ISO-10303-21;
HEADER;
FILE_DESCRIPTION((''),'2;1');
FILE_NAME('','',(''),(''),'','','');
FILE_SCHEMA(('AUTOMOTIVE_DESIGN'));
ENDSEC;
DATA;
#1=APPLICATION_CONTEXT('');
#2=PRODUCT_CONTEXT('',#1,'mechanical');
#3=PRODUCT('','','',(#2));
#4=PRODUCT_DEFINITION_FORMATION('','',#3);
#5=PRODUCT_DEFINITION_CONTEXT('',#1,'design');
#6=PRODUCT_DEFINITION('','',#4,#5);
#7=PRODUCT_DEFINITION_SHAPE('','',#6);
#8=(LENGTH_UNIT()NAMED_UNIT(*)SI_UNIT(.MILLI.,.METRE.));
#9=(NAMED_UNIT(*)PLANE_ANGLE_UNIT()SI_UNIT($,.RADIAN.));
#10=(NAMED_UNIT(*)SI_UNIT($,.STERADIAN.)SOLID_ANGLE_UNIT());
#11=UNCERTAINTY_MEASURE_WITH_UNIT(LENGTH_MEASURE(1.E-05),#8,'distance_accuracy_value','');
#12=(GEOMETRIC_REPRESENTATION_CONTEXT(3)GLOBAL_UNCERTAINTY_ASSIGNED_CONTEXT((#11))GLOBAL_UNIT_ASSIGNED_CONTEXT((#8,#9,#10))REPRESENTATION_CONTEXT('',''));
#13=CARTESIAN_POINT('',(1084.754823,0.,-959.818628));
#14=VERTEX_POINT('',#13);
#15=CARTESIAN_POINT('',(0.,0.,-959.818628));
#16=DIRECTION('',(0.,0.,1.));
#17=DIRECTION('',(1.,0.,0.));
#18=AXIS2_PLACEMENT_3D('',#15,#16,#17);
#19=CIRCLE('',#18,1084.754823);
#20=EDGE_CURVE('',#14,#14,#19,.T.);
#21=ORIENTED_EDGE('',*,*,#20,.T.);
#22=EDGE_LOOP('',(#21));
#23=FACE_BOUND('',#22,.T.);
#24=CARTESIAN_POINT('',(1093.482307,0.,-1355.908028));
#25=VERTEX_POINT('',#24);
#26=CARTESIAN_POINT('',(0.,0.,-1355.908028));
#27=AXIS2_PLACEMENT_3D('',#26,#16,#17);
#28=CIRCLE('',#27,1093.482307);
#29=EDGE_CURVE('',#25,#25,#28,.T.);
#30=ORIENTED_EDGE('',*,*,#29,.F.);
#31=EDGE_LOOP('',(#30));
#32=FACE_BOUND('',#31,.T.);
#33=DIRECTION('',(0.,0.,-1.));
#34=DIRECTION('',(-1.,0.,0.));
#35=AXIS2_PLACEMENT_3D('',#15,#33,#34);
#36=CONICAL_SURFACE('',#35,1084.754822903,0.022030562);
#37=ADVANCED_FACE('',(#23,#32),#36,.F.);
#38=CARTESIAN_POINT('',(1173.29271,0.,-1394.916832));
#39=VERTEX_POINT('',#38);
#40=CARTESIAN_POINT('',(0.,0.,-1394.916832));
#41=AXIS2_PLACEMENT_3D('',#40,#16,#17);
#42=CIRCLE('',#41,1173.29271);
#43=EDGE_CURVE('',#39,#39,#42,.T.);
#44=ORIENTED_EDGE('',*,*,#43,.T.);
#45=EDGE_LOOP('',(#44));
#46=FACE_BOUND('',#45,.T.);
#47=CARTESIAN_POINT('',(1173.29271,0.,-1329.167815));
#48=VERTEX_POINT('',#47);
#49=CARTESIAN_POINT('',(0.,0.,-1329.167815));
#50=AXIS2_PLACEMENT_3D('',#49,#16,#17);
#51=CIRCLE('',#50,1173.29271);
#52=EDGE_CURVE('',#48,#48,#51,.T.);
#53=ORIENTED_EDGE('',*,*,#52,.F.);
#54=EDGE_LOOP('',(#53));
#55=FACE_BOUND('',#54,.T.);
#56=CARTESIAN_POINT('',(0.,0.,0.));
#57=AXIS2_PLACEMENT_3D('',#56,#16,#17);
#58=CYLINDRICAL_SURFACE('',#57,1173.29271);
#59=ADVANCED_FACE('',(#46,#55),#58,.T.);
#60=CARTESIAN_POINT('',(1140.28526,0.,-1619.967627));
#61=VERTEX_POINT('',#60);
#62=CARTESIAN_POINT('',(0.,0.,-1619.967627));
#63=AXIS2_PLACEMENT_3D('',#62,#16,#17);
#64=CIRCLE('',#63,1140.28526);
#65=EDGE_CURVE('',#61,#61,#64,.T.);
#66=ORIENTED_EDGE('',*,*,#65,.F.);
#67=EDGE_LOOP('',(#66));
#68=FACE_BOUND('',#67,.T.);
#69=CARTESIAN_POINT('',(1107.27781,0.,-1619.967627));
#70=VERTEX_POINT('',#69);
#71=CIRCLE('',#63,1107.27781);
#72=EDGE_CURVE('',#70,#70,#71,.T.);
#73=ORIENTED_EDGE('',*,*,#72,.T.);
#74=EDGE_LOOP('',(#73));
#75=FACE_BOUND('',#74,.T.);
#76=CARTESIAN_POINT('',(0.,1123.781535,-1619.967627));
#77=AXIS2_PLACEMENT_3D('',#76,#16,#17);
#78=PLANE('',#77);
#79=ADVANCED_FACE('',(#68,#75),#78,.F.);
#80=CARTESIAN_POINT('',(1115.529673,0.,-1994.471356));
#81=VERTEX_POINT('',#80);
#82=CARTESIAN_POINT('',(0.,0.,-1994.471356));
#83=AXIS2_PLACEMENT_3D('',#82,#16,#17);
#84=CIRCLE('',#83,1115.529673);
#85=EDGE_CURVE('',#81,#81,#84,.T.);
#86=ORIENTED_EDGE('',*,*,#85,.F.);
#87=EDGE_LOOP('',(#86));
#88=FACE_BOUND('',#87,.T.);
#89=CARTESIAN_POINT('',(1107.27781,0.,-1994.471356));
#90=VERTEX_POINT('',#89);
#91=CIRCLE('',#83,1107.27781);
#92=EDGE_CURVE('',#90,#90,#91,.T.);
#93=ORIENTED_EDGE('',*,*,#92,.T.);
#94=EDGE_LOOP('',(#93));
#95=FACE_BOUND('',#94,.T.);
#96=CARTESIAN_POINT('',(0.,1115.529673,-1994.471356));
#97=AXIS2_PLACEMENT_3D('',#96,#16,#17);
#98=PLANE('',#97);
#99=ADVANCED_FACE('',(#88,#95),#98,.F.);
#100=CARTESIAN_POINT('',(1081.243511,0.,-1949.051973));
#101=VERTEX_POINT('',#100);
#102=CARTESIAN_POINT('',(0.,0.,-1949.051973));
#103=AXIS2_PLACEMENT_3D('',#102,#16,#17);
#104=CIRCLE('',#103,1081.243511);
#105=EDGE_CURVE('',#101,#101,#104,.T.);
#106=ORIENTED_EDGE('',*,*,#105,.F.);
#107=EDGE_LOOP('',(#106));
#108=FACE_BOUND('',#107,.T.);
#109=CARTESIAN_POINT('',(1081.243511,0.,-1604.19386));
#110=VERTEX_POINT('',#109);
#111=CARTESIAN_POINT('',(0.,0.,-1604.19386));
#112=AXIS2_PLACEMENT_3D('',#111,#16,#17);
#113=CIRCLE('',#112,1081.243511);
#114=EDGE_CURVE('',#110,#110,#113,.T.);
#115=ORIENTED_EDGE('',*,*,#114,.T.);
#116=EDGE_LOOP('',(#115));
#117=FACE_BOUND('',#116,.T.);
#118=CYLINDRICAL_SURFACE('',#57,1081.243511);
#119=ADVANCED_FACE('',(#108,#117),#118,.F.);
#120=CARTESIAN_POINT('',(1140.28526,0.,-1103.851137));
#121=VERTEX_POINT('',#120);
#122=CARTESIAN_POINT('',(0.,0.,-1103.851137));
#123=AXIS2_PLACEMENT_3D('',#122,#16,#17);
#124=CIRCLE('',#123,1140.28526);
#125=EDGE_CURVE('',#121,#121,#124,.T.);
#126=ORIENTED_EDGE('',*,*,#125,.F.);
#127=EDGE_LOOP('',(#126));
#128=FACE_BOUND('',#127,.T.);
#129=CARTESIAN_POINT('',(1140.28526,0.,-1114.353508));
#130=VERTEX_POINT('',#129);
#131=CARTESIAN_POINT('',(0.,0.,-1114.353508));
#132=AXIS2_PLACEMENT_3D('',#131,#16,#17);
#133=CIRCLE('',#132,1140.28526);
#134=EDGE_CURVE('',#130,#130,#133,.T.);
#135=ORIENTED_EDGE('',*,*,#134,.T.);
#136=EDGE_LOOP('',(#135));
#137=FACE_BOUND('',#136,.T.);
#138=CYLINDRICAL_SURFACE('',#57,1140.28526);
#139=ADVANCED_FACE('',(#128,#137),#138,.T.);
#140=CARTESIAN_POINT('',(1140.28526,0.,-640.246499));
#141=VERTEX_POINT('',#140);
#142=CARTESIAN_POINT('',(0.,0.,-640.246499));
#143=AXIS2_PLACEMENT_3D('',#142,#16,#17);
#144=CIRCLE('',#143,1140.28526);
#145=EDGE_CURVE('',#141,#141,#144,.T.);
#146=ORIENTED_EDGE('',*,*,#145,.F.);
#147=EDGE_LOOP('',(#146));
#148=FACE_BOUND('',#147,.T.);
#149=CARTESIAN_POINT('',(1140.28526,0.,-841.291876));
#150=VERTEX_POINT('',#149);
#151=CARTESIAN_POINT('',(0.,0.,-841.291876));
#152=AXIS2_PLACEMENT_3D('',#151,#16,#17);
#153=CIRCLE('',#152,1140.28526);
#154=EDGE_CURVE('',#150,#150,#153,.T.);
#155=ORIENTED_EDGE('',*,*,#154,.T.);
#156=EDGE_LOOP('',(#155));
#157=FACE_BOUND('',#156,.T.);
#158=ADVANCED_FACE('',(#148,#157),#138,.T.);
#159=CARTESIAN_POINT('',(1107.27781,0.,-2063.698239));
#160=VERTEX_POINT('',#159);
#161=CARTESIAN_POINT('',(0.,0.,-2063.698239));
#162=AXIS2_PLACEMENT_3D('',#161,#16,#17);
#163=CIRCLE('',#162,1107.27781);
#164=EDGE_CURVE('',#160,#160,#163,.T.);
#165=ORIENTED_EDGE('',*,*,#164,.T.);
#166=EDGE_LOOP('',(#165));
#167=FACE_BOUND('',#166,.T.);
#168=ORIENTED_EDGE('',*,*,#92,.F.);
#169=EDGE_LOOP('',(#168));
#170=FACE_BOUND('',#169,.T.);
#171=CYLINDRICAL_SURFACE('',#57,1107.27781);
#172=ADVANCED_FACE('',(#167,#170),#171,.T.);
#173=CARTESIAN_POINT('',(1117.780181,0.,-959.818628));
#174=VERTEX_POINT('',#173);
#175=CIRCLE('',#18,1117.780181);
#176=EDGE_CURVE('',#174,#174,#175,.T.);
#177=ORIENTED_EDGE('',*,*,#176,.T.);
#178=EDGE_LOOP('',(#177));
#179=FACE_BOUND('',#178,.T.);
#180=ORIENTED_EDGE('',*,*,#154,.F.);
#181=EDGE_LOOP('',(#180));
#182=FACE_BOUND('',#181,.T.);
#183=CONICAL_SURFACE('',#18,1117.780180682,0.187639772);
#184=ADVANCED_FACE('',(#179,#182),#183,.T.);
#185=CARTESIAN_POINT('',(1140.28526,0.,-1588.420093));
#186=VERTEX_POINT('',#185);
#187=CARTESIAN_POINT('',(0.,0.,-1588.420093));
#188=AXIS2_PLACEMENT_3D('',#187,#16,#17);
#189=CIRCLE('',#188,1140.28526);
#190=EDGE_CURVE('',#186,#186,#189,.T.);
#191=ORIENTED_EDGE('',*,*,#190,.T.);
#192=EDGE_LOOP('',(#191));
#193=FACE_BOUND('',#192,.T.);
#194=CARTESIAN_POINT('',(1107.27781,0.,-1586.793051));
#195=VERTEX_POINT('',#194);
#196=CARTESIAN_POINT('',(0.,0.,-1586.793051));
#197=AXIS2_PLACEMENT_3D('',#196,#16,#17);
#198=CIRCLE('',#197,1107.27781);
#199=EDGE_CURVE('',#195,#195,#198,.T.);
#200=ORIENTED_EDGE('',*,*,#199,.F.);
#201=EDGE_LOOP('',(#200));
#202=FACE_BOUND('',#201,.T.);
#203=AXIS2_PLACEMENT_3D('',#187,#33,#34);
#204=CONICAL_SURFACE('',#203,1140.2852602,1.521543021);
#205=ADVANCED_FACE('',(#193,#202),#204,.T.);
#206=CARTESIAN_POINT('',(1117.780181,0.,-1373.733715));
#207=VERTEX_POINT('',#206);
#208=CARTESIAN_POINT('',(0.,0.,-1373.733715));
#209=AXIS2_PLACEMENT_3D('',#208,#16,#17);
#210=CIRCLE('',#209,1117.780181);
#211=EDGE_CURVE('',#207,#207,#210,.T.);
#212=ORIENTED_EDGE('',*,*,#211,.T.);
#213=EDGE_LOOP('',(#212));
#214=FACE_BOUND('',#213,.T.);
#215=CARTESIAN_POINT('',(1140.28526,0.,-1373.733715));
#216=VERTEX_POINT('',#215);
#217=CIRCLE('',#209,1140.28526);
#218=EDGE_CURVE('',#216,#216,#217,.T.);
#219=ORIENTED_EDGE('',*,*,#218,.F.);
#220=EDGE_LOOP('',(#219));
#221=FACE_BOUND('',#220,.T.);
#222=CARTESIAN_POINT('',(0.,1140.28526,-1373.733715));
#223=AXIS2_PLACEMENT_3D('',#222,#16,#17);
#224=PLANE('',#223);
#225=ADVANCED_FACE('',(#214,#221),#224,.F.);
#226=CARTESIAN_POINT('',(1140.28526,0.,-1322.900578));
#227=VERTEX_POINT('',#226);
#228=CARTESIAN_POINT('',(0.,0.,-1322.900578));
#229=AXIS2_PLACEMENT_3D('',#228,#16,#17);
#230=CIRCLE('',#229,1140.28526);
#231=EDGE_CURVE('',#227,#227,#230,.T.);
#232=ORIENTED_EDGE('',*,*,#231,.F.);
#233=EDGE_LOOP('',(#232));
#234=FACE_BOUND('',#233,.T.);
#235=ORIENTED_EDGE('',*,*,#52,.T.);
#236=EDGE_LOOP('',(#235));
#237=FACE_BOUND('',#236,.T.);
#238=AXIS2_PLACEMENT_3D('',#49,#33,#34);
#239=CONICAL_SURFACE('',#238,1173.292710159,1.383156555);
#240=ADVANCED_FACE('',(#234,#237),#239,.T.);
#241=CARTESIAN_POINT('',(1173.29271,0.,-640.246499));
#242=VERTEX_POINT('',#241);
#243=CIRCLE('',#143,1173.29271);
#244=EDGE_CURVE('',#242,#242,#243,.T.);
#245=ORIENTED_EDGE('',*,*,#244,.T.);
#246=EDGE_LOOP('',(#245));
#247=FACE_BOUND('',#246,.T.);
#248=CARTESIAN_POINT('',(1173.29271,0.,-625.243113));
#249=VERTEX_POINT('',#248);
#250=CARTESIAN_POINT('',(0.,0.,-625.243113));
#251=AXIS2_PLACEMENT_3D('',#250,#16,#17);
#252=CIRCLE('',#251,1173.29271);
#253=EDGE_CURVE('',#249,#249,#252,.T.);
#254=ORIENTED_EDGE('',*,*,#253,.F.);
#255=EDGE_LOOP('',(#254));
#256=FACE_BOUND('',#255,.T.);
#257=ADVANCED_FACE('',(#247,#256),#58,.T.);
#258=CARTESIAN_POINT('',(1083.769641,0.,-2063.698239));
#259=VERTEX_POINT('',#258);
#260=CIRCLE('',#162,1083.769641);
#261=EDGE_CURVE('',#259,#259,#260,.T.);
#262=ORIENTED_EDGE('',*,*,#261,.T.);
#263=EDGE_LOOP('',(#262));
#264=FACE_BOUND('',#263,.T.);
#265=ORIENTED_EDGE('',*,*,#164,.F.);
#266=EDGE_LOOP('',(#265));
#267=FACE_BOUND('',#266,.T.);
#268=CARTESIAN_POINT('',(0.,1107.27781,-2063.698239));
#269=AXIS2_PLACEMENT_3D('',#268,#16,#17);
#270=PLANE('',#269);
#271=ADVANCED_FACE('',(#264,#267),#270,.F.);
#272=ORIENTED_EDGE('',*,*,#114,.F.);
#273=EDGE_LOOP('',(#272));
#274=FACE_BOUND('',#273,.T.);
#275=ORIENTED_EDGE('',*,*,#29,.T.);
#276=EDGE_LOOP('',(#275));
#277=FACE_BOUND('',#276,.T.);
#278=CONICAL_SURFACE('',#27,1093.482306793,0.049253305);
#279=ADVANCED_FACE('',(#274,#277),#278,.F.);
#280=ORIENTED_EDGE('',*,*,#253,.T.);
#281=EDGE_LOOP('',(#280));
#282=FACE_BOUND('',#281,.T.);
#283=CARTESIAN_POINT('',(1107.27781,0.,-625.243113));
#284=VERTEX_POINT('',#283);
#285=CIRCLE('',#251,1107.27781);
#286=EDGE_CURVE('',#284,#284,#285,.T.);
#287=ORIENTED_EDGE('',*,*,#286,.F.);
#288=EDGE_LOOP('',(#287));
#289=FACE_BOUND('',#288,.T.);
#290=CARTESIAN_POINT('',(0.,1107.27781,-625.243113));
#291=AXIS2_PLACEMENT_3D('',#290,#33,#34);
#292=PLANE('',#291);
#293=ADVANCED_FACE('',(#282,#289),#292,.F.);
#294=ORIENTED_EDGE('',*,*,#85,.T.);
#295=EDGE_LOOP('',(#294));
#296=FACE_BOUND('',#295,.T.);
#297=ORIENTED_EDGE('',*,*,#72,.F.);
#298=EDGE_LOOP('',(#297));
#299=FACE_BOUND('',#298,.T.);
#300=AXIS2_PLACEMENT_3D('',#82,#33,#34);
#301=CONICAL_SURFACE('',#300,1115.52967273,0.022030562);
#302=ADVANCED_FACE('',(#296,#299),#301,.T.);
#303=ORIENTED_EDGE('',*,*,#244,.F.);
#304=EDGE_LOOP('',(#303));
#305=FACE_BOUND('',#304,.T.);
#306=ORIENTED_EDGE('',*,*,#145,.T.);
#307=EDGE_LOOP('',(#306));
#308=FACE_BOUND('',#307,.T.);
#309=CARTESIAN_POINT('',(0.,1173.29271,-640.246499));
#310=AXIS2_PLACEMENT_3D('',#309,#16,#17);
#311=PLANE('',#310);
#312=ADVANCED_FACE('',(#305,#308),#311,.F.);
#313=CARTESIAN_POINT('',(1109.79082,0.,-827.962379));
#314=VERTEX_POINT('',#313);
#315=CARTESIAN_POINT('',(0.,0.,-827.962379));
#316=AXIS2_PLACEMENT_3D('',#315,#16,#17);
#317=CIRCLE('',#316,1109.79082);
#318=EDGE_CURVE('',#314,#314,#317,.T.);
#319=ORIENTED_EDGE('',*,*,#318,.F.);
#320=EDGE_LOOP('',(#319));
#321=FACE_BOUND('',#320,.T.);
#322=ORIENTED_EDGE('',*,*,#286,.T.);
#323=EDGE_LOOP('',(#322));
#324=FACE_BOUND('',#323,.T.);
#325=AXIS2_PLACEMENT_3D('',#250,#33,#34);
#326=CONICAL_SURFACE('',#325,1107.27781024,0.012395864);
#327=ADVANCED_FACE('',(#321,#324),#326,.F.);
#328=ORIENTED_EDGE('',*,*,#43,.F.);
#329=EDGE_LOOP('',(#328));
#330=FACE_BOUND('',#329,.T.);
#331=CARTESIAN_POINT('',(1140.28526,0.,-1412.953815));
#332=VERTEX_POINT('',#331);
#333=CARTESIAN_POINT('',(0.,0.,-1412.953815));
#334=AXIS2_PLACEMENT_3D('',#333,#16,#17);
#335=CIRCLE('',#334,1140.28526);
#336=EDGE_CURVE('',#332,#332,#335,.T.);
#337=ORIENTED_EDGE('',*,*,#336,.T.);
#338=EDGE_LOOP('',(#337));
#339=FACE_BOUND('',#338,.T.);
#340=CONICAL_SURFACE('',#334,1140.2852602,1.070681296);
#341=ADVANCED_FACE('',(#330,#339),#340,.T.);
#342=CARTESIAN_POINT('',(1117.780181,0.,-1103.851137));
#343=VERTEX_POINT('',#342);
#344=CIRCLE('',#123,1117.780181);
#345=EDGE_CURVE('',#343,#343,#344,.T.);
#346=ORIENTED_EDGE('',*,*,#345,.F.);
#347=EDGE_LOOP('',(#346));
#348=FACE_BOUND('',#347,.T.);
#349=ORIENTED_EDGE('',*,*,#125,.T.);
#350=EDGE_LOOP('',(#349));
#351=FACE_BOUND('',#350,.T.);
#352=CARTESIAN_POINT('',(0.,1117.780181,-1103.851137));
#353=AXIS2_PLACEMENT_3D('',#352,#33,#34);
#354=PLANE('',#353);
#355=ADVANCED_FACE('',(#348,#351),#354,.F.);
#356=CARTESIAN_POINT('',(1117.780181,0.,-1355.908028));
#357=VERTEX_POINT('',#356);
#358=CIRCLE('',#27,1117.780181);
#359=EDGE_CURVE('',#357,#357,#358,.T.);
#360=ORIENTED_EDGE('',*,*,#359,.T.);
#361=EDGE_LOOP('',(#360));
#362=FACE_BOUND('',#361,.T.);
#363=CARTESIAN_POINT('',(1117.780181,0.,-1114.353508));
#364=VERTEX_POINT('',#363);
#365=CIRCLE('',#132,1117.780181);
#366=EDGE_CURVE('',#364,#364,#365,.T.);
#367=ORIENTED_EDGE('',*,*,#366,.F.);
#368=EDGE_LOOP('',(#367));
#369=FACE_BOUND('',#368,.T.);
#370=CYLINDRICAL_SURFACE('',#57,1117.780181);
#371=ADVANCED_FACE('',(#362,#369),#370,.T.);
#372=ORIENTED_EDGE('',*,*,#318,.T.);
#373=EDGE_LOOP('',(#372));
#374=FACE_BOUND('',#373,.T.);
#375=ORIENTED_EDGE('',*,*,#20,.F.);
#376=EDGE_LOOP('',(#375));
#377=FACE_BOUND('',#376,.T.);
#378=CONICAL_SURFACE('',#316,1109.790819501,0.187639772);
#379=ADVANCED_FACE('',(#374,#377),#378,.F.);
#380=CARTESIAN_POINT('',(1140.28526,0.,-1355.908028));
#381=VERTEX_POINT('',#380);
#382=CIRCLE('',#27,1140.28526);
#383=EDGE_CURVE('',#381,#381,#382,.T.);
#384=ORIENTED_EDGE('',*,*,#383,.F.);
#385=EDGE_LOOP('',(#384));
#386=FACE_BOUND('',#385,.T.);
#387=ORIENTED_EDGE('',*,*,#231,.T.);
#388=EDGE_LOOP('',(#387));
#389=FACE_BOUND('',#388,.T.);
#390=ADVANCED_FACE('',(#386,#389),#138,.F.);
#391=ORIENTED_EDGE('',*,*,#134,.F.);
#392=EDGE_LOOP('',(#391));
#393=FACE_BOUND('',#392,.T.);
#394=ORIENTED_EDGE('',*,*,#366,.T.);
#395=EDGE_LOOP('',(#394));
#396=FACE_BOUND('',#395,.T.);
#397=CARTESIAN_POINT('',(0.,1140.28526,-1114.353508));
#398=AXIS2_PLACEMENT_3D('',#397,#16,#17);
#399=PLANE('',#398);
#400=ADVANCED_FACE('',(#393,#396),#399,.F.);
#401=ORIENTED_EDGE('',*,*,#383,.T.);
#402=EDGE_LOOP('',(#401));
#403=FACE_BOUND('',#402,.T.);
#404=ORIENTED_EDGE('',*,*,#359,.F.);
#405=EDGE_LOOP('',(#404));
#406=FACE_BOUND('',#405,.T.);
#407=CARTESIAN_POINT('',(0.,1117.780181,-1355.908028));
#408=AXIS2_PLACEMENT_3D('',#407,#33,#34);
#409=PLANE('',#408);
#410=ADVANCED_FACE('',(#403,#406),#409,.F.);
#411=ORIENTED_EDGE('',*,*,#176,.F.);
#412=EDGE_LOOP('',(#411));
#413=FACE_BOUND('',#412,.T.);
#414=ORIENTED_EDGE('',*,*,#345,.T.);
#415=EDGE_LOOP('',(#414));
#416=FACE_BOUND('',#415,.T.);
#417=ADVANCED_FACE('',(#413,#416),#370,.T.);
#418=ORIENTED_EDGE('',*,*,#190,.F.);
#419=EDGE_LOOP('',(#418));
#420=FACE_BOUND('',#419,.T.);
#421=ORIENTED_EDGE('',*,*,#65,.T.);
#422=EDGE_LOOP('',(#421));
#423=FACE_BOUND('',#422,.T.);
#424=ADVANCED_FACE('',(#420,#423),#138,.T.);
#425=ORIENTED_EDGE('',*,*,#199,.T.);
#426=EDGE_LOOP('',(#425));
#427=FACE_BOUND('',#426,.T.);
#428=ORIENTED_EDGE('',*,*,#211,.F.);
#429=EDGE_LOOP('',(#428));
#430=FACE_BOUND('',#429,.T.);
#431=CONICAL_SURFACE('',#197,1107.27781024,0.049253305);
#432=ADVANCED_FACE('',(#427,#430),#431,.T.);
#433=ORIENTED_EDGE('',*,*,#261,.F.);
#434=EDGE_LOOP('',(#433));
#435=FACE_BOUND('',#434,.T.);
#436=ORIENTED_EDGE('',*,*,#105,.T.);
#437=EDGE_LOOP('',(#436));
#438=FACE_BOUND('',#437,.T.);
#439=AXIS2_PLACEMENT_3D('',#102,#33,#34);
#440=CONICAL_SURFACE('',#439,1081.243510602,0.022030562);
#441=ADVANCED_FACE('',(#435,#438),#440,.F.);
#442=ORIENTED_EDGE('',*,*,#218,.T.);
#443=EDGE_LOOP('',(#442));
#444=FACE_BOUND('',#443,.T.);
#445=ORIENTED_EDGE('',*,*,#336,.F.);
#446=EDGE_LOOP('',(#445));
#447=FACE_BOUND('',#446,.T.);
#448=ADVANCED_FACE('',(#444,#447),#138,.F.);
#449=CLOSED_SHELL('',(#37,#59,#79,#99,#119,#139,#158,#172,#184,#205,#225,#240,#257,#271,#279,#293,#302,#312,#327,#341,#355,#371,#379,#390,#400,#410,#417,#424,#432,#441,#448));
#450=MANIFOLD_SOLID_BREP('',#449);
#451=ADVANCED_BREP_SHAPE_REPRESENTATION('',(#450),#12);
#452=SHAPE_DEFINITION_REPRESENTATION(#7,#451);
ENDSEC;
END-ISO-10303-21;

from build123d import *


with BuildPart() as part:
    # Sketch3 → Revolve1 (revolve)
    with BuildSketch(Plane(origin=(0, 0, 0), x_dir=(0, 0, -1), z_dir=(1, 0, 0))):
        Polygon((625.243112709, 1107.27781024), (625.243112709, 1173.292710159), (640.246499054, 1173.292710159), (640.246499054, 1140.2852602), (841.291876078, 1140.2852602), (959.818628204, 1117.780180682), (1103.851137117, 1117.780180682), (1103.851137117, 1140.2852602), (1114.353507559, 1140.2852602), (1114.353507559, 1117.780180682), (1355.908027715, 1117.780180682), (1355.908027715, 1140.2852602), (1322.900577755, 1140.2852602), (1329.167815089, 1173.292710159), (1394.916832212, 1173.292710159), (1412.953814648, 1140.2852602), (1373.733715244, 1140.2852602), (1373.733715244, 1117.780180682), (1586.7930511, 1107.27781024), (1588.420093001, 1140.2852602), (1619.967627388, 1140.2852602), (1619.967627388, 1123.78153522), (1619.967627388, 1107.27781024), (1994.47135604, 1115.52967273), (1994.47135604, 1107.27781024), (2063.698238778, 1107.27781024), (2063.698238778, 1083.769640902), (1949.05197346, 1081.243510602), (1903.269357476, 1081.243510602), (1604.193860195, 1081.243510602), (1355.908027715, 1093.482306793), (959.818628204, 1084.754822903), (827.962379457, 1109.790819501), align=None)
    revolve(axis=Axis((0, 0, 0), (0, 0, -1)))


solid = part.part
